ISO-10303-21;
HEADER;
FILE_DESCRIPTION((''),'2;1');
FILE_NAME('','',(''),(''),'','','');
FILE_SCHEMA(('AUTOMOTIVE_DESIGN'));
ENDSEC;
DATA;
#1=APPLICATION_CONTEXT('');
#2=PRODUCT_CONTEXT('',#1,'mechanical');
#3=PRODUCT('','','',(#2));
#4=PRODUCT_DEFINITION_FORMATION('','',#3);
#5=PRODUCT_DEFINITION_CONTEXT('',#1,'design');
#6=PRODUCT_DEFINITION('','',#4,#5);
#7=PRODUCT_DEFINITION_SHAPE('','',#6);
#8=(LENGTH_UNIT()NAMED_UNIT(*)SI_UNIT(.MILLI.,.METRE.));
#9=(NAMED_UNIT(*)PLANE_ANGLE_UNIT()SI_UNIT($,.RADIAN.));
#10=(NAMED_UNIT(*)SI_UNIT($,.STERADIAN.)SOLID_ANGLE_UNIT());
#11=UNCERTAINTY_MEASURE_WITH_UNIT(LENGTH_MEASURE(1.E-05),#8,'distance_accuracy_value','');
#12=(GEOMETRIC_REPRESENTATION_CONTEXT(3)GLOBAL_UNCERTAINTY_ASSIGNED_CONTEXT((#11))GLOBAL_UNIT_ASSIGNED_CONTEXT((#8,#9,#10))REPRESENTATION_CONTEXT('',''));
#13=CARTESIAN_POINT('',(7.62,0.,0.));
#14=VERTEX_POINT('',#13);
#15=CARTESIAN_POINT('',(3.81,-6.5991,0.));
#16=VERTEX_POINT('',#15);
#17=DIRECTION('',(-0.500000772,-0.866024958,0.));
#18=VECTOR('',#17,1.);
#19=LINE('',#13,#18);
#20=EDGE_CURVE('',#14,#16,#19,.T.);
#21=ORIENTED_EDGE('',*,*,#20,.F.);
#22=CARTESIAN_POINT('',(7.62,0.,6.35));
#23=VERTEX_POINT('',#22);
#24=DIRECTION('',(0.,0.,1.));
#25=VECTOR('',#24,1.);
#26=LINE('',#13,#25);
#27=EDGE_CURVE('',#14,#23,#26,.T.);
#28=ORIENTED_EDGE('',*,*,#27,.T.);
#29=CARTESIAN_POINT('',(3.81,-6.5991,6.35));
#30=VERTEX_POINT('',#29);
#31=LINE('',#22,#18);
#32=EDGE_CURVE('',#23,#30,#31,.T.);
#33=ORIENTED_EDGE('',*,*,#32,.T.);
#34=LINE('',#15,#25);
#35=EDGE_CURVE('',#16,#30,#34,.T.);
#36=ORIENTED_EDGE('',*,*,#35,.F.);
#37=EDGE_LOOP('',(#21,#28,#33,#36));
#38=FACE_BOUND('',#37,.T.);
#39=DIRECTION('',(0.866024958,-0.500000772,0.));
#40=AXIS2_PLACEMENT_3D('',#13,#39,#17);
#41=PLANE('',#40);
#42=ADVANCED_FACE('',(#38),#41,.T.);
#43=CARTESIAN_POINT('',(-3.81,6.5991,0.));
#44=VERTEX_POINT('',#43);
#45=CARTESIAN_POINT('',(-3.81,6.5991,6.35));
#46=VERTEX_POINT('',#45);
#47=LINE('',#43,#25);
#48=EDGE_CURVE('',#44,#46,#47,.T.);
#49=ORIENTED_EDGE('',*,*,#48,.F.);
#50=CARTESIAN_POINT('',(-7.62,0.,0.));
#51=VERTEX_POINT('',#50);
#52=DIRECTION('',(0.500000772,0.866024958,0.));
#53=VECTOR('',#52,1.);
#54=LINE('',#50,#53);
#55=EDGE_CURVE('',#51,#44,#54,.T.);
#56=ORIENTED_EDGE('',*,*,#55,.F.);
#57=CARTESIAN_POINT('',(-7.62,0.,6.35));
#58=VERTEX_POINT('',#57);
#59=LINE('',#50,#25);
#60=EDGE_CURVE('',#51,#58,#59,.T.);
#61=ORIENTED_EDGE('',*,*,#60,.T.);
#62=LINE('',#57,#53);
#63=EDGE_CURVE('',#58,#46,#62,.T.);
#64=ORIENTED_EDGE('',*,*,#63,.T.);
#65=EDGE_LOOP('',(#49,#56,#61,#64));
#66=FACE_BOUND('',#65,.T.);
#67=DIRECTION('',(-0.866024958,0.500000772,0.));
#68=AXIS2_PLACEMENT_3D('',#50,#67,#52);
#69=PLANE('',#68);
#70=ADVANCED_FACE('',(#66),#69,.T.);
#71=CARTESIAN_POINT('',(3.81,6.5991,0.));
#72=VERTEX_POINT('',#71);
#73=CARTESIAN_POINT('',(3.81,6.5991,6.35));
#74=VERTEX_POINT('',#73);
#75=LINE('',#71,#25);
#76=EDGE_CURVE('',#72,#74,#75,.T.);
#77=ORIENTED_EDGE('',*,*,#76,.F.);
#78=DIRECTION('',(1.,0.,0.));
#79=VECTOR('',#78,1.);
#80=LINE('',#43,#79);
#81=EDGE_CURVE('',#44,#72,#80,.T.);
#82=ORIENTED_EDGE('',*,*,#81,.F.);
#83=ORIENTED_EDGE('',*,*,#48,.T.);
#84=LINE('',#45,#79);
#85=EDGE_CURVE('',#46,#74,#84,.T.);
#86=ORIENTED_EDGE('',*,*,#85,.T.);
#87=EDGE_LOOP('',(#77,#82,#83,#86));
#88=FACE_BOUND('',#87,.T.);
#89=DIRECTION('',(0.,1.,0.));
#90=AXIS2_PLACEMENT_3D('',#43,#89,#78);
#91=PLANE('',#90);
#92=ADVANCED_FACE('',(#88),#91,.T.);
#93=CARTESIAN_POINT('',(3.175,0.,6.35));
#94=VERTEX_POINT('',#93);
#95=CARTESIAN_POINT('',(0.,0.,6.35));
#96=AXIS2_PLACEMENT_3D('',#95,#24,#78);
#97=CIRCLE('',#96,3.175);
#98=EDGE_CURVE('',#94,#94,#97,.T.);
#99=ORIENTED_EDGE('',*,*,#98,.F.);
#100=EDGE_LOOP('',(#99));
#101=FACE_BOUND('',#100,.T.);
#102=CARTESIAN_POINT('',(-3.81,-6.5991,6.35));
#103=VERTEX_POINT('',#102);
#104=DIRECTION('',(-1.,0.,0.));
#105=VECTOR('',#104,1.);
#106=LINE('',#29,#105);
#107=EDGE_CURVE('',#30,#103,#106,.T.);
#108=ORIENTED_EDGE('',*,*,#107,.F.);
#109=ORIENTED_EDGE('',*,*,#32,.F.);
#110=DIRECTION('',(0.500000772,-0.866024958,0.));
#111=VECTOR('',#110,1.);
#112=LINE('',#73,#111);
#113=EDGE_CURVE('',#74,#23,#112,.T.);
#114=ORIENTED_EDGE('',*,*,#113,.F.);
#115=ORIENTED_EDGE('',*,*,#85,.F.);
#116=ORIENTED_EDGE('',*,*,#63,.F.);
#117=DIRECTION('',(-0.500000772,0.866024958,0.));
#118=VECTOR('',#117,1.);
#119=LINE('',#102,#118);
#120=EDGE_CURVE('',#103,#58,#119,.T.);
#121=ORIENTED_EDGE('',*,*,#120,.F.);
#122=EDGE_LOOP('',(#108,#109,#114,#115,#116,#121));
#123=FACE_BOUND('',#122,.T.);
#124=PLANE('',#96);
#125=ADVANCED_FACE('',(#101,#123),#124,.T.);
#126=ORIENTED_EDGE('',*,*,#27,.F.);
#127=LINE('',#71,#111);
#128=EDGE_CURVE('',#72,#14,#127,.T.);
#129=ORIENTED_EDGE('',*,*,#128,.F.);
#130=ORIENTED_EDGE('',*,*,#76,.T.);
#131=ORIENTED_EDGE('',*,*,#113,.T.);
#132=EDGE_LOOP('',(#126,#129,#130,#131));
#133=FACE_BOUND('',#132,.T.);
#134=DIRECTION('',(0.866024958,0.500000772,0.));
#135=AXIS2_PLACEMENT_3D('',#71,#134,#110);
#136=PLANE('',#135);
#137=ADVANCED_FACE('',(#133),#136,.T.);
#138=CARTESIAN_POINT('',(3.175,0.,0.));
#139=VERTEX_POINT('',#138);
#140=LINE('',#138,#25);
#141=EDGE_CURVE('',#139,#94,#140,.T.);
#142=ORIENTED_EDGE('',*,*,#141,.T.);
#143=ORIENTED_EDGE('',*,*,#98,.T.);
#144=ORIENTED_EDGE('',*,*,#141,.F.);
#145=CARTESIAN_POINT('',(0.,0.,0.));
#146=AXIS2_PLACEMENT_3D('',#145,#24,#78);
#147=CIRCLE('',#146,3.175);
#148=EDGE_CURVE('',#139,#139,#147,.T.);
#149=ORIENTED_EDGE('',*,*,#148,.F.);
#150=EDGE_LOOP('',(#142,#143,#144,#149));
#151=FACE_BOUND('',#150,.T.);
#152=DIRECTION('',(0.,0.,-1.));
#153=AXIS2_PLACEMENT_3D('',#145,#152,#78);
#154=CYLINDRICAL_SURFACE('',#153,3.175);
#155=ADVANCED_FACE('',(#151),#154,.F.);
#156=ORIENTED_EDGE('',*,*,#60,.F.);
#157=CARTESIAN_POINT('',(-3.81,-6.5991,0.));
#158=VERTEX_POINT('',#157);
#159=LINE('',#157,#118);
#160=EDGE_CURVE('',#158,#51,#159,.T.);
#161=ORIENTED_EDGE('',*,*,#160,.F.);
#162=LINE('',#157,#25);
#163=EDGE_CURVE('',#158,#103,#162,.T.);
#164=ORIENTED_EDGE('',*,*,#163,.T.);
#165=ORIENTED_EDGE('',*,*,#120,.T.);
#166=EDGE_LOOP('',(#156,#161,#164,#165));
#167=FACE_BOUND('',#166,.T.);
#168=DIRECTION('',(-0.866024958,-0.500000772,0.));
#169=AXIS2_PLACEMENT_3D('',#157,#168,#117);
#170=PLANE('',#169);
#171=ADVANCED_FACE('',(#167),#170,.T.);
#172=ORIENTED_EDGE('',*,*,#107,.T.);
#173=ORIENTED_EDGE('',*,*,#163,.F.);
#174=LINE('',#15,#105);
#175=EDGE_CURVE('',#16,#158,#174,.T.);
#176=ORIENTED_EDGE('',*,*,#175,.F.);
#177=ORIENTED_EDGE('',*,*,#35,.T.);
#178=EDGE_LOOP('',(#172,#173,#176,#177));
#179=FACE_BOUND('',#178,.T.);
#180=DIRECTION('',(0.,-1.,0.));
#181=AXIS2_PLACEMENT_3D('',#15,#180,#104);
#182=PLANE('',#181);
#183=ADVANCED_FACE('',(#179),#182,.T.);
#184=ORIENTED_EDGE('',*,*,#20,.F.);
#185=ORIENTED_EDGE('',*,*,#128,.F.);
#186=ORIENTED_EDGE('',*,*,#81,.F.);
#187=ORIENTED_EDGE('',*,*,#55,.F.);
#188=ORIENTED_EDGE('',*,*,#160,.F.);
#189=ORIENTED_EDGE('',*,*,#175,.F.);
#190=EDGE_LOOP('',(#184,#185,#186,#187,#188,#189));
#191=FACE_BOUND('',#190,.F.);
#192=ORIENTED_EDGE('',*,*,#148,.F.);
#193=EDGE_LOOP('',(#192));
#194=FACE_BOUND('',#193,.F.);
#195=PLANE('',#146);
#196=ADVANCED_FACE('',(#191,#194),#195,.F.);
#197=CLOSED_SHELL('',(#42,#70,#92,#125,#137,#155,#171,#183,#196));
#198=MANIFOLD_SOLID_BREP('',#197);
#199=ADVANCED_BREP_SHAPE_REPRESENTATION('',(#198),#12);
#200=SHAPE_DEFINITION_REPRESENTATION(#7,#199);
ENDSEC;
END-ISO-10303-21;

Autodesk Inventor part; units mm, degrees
ref_plane "YZ Plane" through (0, 0, 0) normal (1, 0, 0) x (0, 1, 0)
ref_plane "XZ Plane" through (0, 0, 0) normal (0, 1, 0) x (-1, 0, 0)
ref_plane "XY Plane" through (0, 0, 0) normal (0, 0, 1) x (1, 0, 0)
sketch "Sketch1" plane through (0, 0, 0) normal (0, 0, 1) x (1, 0, 0)
  line L0 (7.62, 0) -> (3.81, -6.5991)
  line L1 (3.81, -6.5991) -> (-3.81, -6.5991)
  line L2 (-3.81, -6.5991) -> (-7.62, 0)
  line L3 (-7.62, 0) -> (-3.81, 6.5991)
  line L4 (-3.81, 6.5991) -> (3.81, 6.5991)
  line L5 (3.81, 6.5991) -> (7.62, 0)
  circle A0 centre (0, 0) radius 3.175
  dimension "d0" = 6.35
  dimension "d1" = 7.62
extrude "Extrusion1" add sketch "Sketch1" along normal blind 6.35
thread "Thread1" size "1/4-20 UNC" class "2B" standard "ANSI Unified Screw Threads" full length
properties part number ".25 diameter nut"
